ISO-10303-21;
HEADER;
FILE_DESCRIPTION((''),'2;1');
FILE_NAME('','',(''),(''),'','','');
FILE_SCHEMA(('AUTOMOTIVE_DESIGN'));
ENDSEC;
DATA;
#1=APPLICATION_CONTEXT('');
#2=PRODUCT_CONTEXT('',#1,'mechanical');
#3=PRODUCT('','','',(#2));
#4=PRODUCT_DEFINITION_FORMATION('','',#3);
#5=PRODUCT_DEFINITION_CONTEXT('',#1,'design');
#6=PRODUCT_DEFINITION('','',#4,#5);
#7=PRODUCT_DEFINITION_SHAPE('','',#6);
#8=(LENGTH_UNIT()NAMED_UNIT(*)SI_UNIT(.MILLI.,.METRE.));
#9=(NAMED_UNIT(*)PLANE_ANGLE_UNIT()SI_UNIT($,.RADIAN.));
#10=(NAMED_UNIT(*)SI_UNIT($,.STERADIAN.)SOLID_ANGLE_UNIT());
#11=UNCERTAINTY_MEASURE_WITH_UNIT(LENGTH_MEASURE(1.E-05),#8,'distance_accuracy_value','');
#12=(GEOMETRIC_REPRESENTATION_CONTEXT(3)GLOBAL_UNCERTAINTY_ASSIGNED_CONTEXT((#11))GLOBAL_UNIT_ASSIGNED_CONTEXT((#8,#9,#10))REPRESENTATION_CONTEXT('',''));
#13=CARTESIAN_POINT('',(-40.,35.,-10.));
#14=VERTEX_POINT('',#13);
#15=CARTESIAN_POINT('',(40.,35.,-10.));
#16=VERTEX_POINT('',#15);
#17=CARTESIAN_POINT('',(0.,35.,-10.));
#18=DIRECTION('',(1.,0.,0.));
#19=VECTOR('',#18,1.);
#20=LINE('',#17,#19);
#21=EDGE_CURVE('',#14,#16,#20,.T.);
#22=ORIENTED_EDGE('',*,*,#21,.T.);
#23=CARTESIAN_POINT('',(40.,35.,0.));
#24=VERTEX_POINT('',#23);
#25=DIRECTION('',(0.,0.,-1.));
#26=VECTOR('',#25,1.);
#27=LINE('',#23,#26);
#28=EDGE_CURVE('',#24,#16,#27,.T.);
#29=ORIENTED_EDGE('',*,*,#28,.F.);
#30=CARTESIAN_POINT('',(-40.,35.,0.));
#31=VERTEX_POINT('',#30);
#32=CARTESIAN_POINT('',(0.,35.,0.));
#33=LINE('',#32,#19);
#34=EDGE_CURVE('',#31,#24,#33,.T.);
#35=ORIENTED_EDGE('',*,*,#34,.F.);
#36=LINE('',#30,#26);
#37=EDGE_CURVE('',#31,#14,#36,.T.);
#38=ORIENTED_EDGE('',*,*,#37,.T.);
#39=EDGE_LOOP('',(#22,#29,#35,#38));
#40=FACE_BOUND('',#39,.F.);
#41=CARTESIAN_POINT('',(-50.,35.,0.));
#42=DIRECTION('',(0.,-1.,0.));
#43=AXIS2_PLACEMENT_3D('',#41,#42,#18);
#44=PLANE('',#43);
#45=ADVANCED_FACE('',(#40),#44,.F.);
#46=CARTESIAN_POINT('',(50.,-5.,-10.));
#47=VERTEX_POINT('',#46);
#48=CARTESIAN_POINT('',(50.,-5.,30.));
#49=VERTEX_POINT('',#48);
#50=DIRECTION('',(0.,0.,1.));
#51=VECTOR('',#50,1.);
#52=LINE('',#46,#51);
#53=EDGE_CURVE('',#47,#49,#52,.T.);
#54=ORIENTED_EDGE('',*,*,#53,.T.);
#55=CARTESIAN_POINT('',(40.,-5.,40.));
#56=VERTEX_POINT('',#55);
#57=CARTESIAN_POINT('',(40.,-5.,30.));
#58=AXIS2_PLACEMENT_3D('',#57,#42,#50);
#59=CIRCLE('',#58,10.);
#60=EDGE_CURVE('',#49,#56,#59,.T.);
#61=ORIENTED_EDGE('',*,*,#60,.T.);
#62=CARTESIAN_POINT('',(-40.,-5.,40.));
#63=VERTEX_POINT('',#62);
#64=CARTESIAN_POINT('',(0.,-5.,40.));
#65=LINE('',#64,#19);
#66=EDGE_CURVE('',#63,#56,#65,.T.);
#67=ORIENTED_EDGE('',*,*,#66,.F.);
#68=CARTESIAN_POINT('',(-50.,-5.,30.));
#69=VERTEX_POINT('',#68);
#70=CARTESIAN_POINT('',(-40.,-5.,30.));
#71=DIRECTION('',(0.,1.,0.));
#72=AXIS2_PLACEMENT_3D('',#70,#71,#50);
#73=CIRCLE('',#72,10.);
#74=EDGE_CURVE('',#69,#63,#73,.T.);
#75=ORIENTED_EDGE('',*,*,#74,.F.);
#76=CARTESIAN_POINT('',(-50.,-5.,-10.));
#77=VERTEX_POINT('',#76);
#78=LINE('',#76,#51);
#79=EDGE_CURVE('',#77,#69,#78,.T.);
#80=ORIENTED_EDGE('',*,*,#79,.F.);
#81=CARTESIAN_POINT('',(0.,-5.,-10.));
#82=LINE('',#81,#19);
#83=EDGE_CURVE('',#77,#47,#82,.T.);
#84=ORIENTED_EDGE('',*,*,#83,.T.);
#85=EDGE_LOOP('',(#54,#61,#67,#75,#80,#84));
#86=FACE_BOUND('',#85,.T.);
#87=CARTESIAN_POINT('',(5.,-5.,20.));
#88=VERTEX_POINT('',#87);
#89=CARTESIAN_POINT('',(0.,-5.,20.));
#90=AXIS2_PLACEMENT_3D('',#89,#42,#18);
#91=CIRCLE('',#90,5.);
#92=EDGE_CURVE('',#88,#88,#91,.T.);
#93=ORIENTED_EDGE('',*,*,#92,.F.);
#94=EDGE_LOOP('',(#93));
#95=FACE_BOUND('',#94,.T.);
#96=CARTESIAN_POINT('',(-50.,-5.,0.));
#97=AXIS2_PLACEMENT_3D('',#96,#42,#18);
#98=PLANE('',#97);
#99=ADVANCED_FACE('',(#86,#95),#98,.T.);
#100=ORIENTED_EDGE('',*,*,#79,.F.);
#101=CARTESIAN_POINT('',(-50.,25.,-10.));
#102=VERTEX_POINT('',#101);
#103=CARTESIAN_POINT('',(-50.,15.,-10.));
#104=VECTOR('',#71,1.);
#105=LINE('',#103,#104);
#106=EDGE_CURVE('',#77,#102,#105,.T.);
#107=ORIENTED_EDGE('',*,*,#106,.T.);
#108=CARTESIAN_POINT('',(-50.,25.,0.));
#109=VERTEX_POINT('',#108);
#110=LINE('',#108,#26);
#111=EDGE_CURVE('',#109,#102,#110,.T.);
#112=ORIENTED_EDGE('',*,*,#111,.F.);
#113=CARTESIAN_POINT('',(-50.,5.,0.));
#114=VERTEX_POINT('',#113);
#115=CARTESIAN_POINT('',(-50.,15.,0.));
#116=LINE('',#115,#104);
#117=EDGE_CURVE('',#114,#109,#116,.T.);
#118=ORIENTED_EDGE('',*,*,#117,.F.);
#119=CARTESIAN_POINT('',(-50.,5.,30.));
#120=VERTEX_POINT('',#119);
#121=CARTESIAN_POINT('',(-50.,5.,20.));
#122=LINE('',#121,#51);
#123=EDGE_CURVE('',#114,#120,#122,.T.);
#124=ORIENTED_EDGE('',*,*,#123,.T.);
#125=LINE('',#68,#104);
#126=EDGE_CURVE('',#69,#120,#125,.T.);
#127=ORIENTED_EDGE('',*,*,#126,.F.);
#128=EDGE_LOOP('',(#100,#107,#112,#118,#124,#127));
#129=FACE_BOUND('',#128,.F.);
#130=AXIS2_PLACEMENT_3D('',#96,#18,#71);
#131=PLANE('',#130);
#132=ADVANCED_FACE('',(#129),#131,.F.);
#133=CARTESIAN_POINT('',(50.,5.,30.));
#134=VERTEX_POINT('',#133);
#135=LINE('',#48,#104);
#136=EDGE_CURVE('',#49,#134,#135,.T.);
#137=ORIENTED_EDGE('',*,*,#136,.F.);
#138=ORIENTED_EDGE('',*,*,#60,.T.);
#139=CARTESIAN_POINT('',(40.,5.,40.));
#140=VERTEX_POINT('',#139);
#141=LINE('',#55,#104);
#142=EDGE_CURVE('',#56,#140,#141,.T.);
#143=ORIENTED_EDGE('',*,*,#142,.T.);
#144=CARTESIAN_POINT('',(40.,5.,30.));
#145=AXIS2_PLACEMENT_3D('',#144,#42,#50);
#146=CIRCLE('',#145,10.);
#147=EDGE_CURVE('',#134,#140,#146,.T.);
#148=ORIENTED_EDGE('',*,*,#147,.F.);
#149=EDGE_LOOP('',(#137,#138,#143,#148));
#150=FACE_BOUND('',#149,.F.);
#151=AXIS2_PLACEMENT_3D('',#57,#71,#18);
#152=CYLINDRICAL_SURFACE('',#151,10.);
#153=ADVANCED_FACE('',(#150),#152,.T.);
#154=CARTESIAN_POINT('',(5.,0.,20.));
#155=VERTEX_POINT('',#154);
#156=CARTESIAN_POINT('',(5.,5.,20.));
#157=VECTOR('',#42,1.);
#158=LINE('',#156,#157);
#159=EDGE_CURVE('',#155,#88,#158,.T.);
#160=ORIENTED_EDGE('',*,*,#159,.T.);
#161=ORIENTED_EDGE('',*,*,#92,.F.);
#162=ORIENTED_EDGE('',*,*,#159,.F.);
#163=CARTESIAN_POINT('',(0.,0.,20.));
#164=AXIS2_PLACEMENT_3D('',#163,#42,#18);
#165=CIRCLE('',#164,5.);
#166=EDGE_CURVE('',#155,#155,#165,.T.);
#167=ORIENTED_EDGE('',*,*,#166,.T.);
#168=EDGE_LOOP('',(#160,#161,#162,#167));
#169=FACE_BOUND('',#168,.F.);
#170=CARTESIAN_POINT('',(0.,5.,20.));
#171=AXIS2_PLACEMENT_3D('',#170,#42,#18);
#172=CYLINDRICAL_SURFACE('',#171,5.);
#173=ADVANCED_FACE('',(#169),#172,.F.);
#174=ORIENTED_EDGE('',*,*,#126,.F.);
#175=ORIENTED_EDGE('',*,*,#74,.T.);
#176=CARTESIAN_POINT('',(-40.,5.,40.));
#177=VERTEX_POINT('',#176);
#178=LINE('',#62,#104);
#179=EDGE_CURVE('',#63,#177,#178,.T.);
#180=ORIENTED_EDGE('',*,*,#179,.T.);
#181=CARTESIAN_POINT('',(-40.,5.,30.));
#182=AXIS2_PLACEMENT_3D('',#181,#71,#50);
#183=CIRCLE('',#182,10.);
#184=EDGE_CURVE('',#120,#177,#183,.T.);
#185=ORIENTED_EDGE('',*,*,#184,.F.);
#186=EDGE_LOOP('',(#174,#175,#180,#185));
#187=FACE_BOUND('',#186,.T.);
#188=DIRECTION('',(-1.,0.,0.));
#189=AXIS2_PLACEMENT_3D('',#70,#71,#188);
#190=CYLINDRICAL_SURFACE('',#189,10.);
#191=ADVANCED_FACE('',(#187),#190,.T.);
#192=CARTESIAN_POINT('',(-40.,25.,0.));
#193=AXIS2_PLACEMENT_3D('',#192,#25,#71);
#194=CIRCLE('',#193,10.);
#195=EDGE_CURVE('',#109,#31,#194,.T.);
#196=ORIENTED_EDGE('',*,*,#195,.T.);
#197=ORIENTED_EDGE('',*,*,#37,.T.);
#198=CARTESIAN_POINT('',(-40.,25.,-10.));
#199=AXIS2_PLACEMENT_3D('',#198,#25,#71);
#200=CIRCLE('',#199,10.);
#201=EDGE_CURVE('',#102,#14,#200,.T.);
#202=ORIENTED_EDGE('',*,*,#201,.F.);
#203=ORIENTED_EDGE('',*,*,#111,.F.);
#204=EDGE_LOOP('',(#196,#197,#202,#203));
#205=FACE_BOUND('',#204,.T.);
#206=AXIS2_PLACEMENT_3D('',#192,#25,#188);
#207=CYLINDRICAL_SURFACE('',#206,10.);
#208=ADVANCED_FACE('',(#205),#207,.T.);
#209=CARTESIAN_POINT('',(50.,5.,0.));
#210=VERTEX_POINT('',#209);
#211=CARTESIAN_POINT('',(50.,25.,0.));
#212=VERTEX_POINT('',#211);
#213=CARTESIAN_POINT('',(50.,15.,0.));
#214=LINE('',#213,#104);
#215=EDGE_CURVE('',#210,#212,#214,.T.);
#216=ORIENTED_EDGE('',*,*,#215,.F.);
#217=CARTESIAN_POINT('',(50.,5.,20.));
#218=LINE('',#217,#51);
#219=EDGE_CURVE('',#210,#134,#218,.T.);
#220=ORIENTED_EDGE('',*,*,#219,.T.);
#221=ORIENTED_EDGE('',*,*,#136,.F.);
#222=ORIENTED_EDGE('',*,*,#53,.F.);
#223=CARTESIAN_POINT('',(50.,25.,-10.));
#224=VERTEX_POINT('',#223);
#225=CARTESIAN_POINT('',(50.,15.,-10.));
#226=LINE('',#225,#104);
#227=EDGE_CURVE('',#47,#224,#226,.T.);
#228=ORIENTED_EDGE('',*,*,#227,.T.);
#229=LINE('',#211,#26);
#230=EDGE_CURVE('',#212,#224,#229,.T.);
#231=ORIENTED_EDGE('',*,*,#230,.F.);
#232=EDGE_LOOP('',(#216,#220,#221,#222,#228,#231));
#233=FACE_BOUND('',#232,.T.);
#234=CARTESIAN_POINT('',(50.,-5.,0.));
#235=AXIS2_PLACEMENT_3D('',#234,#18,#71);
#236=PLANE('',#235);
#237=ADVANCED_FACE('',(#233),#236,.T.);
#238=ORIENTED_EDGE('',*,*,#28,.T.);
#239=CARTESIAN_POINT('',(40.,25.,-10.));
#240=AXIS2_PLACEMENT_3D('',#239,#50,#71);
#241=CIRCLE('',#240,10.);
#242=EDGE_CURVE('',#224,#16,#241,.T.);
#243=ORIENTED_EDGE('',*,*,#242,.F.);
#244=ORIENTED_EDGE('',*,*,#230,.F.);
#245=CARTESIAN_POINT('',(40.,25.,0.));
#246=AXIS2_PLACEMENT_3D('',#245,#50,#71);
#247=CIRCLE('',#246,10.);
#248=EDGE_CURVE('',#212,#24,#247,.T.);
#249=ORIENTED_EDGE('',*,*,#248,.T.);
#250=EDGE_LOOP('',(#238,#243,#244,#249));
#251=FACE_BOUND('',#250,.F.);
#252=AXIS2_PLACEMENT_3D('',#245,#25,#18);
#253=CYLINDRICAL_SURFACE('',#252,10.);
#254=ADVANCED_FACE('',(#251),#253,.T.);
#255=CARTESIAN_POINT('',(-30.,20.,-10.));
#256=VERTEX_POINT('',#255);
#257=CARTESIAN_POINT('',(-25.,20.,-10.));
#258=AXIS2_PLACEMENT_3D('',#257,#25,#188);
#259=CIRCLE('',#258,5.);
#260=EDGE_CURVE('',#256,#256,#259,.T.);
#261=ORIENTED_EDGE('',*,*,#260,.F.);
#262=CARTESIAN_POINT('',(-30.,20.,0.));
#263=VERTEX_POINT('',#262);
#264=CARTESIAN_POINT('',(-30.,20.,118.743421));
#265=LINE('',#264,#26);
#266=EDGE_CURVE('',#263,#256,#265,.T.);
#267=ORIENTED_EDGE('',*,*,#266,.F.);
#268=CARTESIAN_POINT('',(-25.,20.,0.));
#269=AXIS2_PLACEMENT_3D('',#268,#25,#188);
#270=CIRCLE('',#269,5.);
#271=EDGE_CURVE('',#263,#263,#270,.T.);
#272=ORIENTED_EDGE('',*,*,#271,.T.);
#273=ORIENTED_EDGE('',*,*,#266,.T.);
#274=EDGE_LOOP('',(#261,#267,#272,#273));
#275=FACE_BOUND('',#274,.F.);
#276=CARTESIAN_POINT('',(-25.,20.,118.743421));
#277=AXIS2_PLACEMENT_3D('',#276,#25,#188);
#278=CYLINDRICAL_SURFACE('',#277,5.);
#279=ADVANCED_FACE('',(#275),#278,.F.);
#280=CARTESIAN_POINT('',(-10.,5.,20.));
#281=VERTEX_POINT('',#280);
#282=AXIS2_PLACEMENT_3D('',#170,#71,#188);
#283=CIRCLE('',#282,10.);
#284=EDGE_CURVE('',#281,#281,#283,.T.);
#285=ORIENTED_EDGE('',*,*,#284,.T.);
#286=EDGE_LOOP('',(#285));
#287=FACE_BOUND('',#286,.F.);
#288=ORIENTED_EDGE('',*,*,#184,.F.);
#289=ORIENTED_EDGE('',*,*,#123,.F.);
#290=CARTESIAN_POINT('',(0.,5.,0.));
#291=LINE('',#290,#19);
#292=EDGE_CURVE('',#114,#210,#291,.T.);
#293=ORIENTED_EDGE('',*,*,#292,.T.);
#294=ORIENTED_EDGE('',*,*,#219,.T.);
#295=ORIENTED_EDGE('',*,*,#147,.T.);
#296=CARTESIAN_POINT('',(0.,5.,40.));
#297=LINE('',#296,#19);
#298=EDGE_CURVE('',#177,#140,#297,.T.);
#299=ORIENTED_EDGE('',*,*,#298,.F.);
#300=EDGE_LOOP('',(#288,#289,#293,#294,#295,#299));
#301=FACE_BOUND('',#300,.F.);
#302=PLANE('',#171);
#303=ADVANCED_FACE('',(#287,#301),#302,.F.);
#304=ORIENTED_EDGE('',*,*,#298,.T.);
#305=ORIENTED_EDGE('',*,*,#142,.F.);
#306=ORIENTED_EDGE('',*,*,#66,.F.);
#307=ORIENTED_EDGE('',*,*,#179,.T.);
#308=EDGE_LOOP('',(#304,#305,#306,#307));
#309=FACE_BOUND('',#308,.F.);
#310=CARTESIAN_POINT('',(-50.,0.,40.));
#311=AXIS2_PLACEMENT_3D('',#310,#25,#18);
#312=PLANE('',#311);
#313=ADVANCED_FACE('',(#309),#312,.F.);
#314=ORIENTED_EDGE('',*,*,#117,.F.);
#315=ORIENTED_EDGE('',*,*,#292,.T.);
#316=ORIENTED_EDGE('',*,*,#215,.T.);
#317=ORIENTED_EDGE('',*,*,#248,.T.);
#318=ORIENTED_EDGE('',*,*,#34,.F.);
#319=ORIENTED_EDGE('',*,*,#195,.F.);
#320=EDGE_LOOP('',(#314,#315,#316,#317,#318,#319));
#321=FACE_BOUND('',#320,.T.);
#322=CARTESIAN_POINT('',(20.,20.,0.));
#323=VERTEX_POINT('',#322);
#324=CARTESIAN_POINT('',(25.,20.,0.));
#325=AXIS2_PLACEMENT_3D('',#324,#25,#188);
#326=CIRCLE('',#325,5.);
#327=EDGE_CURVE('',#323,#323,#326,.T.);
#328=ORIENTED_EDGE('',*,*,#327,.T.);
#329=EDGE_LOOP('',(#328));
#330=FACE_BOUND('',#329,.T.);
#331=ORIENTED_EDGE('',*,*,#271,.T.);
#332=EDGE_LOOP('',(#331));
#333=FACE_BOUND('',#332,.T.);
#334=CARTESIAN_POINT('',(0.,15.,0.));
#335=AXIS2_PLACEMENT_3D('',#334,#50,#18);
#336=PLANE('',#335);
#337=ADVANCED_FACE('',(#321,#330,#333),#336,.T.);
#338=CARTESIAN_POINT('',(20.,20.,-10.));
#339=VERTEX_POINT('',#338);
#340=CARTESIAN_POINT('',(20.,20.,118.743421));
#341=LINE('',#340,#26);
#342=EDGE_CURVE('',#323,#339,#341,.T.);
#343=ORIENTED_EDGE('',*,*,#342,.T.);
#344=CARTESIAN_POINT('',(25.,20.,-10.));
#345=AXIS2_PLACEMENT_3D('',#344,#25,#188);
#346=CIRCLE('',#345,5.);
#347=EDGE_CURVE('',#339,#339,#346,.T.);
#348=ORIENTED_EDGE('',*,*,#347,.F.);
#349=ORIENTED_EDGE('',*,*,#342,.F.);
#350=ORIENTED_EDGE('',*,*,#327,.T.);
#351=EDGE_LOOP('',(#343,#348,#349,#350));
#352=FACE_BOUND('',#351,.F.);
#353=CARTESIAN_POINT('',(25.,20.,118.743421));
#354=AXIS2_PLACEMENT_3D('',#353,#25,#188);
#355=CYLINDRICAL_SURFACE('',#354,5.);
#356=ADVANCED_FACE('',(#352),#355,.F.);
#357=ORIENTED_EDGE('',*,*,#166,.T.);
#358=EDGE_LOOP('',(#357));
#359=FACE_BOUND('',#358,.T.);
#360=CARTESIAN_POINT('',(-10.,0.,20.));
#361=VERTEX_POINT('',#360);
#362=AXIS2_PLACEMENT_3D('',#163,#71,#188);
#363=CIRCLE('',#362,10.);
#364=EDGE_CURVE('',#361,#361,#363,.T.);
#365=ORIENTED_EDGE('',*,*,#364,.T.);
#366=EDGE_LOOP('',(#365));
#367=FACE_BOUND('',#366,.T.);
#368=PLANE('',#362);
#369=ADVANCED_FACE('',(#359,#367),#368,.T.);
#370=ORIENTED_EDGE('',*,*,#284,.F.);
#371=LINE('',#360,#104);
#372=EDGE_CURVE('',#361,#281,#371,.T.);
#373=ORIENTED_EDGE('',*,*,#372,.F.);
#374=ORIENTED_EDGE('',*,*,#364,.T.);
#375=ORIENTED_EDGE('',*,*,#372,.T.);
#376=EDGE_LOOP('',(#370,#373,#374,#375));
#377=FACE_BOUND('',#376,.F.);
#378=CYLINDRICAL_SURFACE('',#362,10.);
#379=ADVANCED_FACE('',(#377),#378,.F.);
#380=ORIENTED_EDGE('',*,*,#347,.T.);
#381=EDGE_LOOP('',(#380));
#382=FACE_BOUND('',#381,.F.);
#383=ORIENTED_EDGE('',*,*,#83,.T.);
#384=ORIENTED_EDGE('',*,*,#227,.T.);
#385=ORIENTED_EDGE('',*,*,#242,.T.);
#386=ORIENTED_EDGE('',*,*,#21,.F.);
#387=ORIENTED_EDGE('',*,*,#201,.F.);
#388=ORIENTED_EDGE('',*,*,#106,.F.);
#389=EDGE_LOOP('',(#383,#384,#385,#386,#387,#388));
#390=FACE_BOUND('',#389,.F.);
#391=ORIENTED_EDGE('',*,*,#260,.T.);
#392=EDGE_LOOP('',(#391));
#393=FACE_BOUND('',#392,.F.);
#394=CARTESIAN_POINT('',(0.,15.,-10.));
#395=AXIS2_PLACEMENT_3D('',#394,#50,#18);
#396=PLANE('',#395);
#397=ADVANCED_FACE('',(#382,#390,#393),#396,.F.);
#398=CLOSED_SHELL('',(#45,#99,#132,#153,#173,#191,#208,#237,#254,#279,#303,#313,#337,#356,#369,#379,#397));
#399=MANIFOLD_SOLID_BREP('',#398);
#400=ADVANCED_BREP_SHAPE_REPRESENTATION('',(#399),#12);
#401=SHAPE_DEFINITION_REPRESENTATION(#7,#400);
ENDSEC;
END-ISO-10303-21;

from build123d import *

# Parameters (mm, degrees)
F0_W           = 100
F0_H           = 40
F1_DEPTH       = 5
F2_R           = 10
F3_W           = 100
F3_H           = 40
F4_DEPTH       = 10
F5_R           = 10
F8_D           = 10
F9_D           = 10
F9_CBORE_D     = 20
F9_CBORE_DEPTH = 5


with BuildPart() as f1:
    # F0 (on Front) → F1 (new body, symmetric)
    with BuildSketch(Plane.XZ):
        with Locations((0, 20)):
            Rectangle(F0_W, F0_H)
    extrude(amount=F1_DEPTH, both=True)

    # F2
    f2_edges = [f1.edges().sort_by_distance(p)[0] for p in [
        (-50, 0, 40),
        (50, 0, 40),
    ]]
    fillet(f2_edges, radius=F2_R)

    # F3 (on Top) → F4 (join)
    with BuildSketch(Plane.XY):
        with Locations((0, 15)):
            Rectangle(F3_W, F3_H)
    extrude(amount=-F4_DEPTH)

    # F5
    f5_edges = [f1.edges().sort_by_distance(p)[0] for p in [
        (-50, 35, -5),
        (50, 35, -5),
    ]]
    fillet(f5_edges, radius=F5_R)

    # F8 (through all)
    with Locations(Plane.XY):
        with Locations((25, 20), (-25, 20)):
            Hole(F8_D / 2)

    # F9 (through all)
    with Locations(Plane(origin=(0, 5, 0), x_dir=(-1, 0, 0), z_dir=(0, 1, 0))):
        with Locations((0, 20)):
            CounterBoreHole(F9_D / 2, F9_CBORE_D / 2, F9_CBORE_DEPTH)


solid = f1.part
